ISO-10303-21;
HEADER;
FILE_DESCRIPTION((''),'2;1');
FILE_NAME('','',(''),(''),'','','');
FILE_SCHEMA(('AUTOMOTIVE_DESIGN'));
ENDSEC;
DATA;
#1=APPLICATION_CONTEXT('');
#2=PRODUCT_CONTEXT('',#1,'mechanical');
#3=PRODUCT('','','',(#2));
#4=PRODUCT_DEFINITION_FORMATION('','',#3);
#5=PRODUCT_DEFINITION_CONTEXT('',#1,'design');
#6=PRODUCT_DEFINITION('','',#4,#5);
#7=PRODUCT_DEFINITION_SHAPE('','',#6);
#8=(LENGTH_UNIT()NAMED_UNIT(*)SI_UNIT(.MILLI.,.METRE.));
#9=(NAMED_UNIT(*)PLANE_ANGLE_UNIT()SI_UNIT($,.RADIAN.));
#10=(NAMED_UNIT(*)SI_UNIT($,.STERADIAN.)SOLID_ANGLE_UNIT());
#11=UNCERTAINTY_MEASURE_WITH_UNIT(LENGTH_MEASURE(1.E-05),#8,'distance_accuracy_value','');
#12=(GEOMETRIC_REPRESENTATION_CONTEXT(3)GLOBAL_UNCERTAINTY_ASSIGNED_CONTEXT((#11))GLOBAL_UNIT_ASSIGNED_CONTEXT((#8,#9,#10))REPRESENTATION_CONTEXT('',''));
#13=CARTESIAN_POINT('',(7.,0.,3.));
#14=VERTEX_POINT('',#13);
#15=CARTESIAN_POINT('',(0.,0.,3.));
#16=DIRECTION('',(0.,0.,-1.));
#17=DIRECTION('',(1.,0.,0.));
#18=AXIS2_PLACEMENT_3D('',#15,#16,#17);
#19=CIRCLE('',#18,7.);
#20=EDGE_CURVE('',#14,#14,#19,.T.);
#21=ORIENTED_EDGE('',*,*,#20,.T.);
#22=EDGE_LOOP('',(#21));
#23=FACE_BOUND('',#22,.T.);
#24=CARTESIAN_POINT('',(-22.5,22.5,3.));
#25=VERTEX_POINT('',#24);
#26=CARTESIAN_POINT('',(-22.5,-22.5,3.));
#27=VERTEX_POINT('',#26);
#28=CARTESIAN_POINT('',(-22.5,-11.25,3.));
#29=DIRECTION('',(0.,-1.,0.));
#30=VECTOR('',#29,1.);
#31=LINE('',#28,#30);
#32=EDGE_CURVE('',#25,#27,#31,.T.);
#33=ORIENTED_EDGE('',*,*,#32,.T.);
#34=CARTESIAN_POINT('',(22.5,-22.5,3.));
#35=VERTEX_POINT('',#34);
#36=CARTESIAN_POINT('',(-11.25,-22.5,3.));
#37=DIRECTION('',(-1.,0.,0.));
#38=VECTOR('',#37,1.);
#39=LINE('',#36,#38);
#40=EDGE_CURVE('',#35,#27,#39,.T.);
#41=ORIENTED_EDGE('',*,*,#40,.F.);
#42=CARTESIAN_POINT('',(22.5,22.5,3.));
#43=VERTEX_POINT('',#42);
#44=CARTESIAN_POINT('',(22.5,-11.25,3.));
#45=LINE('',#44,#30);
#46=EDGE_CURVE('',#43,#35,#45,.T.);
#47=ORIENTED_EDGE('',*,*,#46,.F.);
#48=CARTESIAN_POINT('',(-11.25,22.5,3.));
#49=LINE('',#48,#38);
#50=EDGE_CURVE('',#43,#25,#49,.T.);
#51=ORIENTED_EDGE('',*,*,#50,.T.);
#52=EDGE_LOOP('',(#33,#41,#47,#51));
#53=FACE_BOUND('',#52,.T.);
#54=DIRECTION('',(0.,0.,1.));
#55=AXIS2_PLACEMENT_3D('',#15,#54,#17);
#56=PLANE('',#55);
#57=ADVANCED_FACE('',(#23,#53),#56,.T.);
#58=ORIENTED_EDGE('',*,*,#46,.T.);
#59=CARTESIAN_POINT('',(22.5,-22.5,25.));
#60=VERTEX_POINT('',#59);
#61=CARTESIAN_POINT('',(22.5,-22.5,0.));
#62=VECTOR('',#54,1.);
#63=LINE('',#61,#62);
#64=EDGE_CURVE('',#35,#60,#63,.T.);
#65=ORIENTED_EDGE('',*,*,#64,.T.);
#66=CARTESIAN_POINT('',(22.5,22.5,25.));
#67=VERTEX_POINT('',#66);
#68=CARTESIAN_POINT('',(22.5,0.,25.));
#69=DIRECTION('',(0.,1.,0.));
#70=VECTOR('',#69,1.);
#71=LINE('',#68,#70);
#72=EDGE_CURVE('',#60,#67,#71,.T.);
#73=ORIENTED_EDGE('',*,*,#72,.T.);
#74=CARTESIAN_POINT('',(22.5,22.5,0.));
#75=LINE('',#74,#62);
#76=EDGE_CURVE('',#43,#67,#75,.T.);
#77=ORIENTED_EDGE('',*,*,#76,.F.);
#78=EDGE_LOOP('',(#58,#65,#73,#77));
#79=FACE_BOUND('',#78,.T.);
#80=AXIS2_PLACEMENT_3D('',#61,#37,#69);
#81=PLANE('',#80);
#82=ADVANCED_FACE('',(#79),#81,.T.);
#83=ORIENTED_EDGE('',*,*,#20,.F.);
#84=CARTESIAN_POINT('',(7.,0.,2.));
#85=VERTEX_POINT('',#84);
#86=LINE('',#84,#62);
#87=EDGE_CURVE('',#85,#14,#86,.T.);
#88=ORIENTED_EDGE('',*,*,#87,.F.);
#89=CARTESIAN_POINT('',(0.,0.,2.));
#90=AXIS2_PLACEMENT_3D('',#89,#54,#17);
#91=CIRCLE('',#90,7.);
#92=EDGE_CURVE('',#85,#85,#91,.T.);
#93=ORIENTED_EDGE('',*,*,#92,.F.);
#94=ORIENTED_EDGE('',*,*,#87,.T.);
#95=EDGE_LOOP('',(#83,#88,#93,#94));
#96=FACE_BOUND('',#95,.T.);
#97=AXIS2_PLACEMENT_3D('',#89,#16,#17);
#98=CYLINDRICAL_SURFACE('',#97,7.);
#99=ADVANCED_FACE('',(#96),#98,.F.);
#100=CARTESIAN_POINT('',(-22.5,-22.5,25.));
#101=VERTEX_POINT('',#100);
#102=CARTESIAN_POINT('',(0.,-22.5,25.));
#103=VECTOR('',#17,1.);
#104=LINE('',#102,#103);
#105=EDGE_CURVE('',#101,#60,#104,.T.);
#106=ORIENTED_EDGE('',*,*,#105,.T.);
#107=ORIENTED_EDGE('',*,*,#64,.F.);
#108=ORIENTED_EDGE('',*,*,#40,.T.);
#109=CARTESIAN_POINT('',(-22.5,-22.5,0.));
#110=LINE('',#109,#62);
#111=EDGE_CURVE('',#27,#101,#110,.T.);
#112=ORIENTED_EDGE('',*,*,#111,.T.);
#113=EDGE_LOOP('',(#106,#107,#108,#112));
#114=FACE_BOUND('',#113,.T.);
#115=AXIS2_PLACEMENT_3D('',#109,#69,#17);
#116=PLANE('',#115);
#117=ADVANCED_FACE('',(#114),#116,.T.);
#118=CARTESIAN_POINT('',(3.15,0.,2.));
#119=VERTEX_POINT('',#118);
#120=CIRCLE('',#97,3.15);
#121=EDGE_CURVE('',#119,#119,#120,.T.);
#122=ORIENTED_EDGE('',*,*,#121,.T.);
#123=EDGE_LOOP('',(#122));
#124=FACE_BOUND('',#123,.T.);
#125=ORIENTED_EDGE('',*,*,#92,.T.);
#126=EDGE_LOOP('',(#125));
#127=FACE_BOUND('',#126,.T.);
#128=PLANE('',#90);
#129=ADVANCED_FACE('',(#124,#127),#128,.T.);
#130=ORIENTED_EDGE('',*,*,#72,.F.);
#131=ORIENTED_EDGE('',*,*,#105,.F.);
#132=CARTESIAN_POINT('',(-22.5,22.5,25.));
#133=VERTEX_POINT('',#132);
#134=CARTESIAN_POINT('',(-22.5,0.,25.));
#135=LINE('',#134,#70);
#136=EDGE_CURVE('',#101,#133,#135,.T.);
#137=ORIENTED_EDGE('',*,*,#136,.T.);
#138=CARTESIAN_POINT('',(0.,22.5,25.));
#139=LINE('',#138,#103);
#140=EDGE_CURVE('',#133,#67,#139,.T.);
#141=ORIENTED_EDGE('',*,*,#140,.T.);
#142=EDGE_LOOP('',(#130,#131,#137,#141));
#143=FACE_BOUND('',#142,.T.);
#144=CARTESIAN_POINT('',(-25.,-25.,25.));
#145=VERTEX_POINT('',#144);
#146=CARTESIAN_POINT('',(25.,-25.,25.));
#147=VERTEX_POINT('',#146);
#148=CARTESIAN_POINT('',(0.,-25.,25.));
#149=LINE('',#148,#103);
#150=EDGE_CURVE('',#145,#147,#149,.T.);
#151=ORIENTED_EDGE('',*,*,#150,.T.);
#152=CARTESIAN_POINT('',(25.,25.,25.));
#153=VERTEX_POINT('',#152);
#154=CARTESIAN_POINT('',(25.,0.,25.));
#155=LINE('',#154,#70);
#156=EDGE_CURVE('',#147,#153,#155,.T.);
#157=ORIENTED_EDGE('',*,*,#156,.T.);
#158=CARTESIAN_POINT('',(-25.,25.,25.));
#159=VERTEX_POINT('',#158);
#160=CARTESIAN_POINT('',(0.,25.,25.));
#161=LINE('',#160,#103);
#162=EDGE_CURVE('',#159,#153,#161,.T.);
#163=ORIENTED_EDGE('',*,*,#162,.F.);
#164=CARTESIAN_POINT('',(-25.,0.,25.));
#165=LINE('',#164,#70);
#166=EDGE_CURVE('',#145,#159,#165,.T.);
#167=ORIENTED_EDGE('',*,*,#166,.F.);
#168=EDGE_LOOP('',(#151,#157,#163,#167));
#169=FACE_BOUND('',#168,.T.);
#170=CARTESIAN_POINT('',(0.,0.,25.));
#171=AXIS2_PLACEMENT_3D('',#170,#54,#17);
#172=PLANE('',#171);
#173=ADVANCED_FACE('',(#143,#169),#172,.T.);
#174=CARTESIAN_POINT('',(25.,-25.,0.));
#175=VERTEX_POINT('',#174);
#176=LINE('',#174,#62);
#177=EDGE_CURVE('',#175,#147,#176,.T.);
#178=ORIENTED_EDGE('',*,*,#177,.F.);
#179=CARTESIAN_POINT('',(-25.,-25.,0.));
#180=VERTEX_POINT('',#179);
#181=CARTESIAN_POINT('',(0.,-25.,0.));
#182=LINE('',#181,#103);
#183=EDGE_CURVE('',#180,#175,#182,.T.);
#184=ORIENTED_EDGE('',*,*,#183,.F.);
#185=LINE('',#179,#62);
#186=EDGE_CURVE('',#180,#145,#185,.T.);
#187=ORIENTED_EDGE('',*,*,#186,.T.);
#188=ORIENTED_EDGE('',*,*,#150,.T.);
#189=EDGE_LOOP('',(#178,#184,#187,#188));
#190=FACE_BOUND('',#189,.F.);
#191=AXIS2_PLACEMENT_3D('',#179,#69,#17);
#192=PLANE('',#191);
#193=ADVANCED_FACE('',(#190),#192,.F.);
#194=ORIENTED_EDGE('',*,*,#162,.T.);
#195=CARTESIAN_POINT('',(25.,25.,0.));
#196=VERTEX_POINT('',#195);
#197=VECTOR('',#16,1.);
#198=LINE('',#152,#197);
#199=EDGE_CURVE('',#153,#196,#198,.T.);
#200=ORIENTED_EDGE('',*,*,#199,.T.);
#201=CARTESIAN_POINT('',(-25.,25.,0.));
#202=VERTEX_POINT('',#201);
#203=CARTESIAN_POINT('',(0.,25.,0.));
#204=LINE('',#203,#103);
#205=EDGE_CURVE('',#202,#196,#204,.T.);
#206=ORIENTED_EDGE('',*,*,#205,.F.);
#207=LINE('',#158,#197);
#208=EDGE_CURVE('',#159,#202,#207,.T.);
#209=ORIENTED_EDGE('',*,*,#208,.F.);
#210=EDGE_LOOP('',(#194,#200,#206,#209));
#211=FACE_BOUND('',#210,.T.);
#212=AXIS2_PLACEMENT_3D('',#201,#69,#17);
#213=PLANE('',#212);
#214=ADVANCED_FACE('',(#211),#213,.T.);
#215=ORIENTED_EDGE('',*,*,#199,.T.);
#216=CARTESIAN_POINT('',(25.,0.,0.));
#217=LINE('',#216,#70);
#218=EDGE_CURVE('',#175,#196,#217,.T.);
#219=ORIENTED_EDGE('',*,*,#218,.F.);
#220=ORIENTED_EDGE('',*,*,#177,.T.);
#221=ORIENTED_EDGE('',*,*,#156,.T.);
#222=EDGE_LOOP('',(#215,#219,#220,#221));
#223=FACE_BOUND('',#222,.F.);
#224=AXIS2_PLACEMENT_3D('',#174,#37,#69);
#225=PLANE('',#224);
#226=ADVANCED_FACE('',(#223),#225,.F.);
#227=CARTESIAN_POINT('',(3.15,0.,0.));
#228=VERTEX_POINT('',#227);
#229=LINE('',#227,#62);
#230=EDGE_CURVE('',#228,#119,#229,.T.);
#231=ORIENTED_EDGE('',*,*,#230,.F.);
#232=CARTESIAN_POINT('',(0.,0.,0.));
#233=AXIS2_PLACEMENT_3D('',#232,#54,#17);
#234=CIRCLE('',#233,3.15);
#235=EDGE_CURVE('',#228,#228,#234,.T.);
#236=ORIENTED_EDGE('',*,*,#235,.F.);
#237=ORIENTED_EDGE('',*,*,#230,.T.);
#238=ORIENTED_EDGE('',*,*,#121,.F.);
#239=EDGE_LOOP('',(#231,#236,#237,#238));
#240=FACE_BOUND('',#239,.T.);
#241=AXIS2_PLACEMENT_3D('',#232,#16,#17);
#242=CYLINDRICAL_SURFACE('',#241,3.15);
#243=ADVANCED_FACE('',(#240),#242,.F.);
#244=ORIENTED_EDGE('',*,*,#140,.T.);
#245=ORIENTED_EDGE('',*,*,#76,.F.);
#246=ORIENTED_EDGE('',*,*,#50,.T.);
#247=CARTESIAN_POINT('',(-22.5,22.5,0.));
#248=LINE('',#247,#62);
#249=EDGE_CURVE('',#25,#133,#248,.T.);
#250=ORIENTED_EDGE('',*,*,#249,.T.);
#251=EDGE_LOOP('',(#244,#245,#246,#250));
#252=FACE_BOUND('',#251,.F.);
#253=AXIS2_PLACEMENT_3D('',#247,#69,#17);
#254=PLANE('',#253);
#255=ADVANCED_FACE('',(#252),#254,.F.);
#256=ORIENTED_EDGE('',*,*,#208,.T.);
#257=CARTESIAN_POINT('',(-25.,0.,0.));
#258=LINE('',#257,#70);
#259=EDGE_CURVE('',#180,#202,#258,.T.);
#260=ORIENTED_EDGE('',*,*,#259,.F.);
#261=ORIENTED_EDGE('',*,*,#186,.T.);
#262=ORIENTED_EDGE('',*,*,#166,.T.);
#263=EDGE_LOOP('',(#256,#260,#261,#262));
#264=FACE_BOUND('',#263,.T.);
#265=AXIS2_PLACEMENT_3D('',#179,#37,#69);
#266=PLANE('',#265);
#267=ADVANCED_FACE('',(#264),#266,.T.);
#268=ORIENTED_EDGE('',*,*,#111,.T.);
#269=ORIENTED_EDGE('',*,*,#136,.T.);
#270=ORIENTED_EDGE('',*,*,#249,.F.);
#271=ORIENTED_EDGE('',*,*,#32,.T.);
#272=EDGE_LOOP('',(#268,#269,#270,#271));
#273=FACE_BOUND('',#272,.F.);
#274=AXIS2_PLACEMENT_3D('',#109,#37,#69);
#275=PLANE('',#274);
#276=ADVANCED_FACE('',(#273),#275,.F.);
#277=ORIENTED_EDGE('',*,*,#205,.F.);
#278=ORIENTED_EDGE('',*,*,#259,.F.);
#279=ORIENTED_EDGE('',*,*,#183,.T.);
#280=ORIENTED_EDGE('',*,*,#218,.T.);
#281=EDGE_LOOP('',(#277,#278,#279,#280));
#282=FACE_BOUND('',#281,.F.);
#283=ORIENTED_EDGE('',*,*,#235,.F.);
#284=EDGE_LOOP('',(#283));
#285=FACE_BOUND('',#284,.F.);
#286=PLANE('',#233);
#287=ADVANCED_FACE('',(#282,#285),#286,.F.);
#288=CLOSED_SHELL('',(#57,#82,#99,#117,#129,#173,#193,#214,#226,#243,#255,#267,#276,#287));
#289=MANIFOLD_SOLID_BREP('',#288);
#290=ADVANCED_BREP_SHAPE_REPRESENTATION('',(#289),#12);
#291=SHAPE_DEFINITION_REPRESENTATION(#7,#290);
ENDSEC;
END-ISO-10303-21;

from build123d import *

# Parameters (mm, degrees)
BOX002_W          = 45
BOX002_H          = 45
BOX002_DEPTH      = 25
BOX001_W          = 50
BOX001_H          = 50
BOX001_DEPTH      = 25
CYLINDER_R        = 3.15
CYLINDER_DEPTH    = 10
CYLINDER001_R     = 7
CYLINDER001_DEPTH = 10
BOX_W             = 50
BOX_H             = 50
BOX_DEPTH         = 3


with BuildPart() as cube002:
    # Box002 → Box002 (new body)
    with BuildSketch(Plane(origin=(-22.5, -22.5, 0), x_dir=(1, 0, 0), z_dir=(0, 0, 1))):
        with Locations((22.5, 22.5)):
            Rectangle(BOX002_W, BOX002_H)
    extrude(amount=BOX002_DEPTH)


with BuildPart() as cut002:
    # Box001 → Box001 (new body)
    with BuildSketch(Plane(origin=(-25, -25, 0), x_dir=(1, 0, 0), z_dir=(0, 0, 1))):
        with Locations((25, 25)):
            Rectangle(BOX001_W, BOX001_H)
    extrude(amount=BOX001_DEPTH)

    # Cut002: cut Cube002
    add(cube002.part, mode=Mode.SUBTRACT)


with BuildPart() as cylinder:
    # Cylinder → Cylinder (new body)
    with BuildSketch(Plane.XY):
        Circle(CYLINDER_R)
    extrude(amount=CYLINDER_DEPTH)


with BuildPart() as cylinder001:
    # Cylinder001 → Cylinder001 (new body)
    with BuildSketch(Plane.XY.offset(2)):
        Circle(CYLINDER001_R)
    extrude(amount=CYLINDER001_DEPTH)


with BuildPart() as fusion:
    # Box → Box (new body)
    with BuildSketch(Plane(origin=(-25, -25, 0), x_dir=(1, 0, 0), z_dir=(0, 0, 1))):
        with Locations((25, 25)):
            Rectangle(BOX_W, BOX_H)
    extrude(amount=BOX_DEPTH)

    # Cut: cut Cylinder001
    add(cylinder001.part, mode=Mode.SUBTRACT)

    # Cut003: cut Cylinder
    add(cylinder.part, mode=Mode.SUBTRACT)

    # Fusion: union Cut002
    add(cut002.part)


solid = fusion.part
